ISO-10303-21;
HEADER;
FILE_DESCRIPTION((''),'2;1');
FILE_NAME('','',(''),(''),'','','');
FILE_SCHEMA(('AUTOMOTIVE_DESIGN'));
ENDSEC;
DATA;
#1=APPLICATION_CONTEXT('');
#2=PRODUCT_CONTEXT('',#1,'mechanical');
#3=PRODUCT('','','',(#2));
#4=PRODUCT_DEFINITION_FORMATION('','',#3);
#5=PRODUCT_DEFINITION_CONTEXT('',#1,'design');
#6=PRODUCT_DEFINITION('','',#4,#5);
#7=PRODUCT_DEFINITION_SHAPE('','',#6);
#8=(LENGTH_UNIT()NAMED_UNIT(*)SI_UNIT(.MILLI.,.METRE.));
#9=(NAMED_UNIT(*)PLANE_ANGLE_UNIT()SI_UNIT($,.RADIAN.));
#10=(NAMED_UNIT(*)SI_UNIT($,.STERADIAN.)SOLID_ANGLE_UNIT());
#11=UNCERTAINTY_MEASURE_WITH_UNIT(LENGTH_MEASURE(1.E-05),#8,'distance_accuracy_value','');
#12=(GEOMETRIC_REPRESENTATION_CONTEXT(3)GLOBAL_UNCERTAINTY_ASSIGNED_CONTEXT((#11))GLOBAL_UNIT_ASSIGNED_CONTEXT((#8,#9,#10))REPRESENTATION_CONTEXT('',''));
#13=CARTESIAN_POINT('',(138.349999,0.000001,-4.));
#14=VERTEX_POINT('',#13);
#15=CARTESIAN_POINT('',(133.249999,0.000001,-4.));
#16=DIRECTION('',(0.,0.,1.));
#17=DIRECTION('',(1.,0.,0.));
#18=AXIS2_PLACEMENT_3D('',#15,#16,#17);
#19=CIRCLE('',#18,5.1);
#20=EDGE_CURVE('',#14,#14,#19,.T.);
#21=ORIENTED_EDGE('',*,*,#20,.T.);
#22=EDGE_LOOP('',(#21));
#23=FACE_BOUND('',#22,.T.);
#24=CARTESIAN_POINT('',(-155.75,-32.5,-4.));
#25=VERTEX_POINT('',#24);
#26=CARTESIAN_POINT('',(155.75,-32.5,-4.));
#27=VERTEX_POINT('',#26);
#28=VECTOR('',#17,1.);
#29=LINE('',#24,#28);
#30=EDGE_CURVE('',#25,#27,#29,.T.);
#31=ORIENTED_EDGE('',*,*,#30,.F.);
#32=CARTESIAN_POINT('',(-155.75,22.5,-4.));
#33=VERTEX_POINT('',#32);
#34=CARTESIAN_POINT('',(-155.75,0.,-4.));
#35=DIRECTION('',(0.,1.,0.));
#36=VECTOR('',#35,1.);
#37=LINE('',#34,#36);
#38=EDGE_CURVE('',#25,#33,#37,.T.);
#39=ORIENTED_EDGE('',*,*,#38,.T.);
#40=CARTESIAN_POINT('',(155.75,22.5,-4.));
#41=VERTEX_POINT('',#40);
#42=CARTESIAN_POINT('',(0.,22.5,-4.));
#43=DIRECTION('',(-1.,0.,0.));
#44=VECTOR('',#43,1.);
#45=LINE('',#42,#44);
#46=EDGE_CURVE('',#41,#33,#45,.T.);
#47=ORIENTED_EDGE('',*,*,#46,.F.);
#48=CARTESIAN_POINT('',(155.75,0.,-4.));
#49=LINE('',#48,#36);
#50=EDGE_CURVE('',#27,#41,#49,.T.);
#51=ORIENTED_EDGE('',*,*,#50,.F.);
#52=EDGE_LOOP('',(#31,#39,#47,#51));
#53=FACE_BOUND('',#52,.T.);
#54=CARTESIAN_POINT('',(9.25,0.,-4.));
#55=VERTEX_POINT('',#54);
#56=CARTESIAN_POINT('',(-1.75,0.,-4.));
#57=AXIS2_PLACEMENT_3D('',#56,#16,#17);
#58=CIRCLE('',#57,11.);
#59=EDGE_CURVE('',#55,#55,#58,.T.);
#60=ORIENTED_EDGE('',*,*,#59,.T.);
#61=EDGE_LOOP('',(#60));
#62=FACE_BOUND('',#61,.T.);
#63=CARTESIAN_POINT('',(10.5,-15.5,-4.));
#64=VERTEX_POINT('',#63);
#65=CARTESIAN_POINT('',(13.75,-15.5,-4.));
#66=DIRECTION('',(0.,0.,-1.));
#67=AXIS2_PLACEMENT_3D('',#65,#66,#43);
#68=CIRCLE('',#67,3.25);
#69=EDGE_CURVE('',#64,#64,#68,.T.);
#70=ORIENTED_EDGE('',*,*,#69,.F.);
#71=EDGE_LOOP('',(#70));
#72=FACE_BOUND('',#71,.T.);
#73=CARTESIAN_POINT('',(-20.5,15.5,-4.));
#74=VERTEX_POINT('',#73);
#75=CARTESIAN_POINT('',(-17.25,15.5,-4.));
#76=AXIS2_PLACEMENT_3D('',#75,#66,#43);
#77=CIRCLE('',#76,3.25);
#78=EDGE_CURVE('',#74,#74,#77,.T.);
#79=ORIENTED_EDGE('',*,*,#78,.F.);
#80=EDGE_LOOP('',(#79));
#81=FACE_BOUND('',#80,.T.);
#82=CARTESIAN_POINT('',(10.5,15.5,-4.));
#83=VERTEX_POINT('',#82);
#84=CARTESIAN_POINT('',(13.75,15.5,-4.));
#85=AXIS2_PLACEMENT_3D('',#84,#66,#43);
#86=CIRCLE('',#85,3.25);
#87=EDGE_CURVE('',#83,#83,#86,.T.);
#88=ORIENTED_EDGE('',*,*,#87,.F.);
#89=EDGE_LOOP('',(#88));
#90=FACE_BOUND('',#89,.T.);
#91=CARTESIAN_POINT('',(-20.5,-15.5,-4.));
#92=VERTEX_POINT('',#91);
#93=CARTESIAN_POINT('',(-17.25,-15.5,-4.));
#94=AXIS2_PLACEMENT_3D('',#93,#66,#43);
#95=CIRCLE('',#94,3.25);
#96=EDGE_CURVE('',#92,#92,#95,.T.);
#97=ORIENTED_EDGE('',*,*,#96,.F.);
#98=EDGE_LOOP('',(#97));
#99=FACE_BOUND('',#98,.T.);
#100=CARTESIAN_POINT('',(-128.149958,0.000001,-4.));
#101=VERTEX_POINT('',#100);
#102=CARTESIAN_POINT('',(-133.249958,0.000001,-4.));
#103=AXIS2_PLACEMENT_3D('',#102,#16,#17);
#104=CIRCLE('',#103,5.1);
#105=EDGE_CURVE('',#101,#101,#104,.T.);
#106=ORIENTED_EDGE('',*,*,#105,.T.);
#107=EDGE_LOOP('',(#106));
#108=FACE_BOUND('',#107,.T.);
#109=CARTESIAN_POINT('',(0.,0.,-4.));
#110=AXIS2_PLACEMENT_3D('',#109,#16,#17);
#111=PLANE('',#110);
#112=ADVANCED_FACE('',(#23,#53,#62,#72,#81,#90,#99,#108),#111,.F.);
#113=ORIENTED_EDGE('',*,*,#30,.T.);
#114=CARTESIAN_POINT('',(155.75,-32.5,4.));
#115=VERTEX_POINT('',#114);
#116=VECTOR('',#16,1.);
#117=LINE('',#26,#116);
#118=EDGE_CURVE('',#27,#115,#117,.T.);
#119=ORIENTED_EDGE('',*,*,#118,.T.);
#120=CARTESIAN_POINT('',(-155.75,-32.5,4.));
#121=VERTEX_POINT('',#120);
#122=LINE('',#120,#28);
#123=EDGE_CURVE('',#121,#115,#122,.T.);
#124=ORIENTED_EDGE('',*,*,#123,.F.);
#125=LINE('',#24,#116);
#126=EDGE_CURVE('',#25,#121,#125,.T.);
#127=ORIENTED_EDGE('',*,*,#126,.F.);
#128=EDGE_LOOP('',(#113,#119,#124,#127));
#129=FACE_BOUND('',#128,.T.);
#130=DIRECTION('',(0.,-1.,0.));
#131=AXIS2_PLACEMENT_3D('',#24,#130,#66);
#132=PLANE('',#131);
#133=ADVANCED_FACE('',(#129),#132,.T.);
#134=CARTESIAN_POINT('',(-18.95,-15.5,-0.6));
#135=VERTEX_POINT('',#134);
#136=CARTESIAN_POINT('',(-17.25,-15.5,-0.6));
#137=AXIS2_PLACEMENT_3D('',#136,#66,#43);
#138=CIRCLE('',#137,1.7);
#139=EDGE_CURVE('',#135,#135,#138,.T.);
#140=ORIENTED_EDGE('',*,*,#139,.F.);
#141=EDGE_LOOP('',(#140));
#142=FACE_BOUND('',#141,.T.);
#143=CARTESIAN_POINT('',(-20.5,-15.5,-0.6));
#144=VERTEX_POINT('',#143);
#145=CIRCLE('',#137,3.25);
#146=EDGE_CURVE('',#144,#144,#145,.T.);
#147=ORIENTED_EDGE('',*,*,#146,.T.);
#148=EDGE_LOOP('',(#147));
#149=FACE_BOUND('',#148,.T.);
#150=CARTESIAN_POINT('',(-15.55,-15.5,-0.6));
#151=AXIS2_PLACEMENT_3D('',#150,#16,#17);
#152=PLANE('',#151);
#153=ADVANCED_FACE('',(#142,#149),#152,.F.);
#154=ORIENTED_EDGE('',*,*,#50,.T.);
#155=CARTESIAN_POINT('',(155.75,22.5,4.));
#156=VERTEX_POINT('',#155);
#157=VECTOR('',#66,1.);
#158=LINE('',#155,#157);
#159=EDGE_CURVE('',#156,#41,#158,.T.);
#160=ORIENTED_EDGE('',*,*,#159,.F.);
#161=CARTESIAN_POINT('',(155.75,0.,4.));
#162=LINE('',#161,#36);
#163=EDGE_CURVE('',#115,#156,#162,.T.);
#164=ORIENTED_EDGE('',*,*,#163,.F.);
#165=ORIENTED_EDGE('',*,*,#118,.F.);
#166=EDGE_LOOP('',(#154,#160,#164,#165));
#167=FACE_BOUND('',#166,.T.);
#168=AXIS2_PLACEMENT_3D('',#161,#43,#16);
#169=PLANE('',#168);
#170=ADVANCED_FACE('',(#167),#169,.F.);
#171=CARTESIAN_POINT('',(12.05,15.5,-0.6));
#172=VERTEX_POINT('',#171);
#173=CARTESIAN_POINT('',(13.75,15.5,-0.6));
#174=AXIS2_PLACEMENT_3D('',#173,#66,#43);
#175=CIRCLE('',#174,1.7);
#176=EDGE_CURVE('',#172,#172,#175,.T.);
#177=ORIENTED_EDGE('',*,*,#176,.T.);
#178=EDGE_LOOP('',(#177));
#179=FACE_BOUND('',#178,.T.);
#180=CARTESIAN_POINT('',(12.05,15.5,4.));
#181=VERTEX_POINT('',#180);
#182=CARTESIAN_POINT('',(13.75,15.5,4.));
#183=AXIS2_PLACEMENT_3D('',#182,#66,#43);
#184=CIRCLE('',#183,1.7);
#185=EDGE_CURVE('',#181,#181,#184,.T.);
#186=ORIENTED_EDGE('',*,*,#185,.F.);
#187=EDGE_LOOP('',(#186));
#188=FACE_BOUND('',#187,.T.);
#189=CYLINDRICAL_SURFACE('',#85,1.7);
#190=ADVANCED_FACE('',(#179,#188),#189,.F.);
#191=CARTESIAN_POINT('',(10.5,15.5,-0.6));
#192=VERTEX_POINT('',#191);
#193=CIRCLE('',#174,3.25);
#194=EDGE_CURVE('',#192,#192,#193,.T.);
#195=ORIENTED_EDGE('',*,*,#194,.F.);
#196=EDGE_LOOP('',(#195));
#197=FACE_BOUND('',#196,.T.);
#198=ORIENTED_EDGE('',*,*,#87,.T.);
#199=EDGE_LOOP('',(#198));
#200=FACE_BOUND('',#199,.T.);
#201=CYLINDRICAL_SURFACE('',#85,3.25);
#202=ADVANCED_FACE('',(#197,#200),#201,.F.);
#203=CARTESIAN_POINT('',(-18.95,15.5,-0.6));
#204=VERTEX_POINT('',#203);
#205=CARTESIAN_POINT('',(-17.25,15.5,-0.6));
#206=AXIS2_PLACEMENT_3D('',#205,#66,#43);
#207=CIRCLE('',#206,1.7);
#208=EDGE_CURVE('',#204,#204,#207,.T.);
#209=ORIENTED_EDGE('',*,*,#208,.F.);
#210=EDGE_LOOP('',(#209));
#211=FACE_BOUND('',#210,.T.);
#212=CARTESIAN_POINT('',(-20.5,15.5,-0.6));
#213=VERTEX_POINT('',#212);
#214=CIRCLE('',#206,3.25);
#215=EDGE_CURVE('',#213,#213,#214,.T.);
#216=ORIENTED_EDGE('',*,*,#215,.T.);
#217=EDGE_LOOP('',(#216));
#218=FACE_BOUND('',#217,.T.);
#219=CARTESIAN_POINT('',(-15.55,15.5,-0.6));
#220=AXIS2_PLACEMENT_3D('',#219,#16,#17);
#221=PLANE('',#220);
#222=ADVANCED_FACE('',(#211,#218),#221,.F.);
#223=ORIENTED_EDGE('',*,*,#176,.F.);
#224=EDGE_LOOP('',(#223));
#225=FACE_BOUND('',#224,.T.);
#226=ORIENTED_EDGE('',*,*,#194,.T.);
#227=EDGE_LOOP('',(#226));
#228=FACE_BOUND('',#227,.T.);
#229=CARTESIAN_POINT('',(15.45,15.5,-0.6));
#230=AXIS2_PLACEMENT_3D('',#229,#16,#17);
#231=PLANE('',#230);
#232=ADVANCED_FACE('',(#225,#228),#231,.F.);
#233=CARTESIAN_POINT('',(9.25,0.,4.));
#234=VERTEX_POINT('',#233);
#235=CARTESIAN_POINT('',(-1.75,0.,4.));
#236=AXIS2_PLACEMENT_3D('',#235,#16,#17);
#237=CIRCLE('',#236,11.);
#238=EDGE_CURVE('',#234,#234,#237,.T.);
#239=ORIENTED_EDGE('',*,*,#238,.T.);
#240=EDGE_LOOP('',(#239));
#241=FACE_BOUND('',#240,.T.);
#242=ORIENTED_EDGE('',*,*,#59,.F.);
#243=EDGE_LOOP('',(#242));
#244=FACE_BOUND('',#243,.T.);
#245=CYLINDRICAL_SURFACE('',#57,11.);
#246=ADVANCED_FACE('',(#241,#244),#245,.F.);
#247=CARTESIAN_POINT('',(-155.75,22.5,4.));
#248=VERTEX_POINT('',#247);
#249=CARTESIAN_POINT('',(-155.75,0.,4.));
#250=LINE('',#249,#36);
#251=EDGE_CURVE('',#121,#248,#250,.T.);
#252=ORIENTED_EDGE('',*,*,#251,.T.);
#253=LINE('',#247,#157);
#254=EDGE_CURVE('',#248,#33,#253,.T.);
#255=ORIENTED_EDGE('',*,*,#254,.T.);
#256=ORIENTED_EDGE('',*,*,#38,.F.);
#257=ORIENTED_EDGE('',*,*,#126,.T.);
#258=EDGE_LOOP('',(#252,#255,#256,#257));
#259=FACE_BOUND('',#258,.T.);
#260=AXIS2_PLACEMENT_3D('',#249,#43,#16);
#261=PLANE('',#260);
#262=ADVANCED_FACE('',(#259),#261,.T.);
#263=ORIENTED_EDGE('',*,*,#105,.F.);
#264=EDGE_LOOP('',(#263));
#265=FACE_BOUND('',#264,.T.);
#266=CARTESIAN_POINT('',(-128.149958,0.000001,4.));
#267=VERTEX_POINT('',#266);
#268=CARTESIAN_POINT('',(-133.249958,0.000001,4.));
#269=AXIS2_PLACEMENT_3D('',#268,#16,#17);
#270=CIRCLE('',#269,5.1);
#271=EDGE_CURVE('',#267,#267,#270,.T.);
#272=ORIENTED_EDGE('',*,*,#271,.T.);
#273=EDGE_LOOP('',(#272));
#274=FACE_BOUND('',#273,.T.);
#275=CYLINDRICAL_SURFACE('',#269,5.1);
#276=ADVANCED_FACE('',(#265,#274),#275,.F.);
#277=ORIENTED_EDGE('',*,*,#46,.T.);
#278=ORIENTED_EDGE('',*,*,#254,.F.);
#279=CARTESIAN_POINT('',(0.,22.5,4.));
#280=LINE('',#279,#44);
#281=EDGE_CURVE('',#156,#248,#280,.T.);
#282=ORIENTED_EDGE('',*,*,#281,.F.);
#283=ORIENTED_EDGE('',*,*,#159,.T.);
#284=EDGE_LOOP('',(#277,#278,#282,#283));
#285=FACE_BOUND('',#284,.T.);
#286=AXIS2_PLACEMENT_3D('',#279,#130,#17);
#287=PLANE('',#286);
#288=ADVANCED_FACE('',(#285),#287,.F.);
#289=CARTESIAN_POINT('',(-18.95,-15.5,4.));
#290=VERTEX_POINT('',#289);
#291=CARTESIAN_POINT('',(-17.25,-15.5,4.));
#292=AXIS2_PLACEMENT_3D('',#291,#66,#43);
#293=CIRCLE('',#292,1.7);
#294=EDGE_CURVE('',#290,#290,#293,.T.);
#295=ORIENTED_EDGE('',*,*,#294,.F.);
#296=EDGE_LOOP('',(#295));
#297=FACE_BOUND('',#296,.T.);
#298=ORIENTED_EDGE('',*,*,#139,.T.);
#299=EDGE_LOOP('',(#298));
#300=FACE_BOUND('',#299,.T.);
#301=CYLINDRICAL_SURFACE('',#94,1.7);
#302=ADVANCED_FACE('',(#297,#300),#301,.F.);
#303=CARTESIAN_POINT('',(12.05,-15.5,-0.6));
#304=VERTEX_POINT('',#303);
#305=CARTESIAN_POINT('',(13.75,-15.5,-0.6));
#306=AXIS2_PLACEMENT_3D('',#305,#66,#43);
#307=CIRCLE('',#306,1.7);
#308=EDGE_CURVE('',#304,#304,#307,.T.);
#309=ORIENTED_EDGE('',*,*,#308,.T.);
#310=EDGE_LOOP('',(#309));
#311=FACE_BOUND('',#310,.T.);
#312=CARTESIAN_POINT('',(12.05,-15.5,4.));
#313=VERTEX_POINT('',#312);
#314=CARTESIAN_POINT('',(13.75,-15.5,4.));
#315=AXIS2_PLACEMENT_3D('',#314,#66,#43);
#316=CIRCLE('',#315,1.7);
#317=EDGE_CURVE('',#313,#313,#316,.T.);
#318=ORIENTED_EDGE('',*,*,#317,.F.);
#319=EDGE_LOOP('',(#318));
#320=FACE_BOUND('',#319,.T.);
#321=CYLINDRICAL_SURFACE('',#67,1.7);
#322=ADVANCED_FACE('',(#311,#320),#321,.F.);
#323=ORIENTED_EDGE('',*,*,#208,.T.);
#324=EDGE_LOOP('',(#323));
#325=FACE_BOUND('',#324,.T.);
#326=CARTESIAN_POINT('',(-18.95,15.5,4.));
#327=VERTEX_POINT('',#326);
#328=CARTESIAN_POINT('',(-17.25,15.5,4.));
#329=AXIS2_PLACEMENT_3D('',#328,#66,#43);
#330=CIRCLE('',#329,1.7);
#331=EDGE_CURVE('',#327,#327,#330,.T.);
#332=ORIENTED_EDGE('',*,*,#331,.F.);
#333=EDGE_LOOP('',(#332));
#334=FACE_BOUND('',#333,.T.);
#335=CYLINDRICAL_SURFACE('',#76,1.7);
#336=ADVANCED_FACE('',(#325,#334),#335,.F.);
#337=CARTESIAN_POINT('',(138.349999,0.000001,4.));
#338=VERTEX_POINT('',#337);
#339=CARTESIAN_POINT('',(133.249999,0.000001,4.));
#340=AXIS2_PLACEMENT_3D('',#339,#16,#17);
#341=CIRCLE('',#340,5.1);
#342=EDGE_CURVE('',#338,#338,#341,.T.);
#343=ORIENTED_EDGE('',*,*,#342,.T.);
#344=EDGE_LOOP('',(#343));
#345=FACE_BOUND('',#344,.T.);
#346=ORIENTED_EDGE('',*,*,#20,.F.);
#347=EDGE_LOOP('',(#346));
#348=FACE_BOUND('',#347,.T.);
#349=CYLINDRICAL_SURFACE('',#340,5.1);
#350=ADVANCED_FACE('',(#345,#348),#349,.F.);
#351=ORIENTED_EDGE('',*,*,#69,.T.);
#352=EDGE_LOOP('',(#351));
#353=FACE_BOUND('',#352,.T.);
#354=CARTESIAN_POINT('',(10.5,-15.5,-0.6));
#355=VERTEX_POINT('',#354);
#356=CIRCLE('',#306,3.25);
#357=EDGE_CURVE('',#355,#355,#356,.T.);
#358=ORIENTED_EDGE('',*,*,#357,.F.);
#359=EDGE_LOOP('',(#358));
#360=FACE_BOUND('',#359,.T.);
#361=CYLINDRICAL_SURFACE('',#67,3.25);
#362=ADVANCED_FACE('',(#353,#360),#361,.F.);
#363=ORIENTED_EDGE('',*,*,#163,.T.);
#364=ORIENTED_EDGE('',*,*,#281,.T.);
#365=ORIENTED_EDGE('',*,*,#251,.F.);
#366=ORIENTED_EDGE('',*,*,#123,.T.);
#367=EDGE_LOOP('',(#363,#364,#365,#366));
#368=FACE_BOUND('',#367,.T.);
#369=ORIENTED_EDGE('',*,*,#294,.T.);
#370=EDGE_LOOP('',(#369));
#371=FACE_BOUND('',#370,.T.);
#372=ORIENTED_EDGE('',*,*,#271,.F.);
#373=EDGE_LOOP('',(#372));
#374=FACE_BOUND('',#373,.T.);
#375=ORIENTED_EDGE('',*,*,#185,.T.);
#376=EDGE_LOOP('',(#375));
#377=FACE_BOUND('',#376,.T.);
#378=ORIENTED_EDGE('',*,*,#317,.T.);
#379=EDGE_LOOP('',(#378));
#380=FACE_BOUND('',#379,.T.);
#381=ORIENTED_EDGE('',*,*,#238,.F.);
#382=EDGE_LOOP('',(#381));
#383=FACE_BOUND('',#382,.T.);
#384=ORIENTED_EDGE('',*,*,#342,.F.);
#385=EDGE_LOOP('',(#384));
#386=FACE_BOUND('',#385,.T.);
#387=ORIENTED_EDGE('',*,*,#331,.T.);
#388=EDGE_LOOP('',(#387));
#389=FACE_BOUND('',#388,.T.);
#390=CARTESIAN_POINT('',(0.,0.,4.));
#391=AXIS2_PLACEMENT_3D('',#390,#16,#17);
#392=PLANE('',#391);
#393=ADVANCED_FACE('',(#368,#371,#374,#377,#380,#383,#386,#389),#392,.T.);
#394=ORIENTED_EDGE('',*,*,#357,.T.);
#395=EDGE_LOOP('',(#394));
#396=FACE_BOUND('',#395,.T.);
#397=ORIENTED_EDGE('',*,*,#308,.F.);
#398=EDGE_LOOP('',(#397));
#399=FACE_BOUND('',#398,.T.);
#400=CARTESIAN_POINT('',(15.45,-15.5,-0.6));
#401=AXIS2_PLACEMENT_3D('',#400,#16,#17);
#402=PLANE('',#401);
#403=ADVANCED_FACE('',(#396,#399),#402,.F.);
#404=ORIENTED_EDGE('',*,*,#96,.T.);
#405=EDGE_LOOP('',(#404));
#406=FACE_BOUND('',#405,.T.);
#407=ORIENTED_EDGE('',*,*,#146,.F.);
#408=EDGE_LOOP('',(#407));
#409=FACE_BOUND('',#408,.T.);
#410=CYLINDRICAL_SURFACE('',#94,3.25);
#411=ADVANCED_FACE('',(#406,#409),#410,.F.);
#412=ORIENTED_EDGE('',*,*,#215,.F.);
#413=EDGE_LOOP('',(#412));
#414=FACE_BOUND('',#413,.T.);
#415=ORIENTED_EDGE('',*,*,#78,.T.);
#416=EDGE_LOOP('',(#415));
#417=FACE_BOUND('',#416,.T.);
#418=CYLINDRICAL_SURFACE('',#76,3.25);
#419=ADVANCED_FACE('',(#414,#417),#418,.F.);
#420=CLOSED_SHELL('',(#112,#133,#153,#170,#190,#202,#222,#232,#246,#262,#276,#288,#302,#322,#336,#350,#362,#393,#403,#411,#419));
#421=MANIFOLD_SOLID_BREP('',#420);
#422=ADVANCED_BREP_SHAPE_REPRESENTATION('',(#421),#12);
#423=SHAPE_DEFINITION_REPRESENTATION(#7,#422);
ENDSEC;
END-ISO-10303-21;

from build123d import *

# Parameters (mm, degrees)
SKETCH1_W                                           = 311.5
SKETCH1_H                                           = 45
BOSS_EXTRUDE1_DEPTH                                 = 4
SKETCH5_R                                           = 11
SKETCH5_R_2                                         = 1.25
CUT_EXTRUDE1_DEPTH                                  = 158.570024116
CBORE_FOR_M3_HEX_SOCKET_HEAD_CAP_SCREW1_D           = 3.4
CBORE_FOR_M3_HEX_SOCKET_HEAD_CAP_SCREW1_CBORE_D     = 6.5
CBORE_FOR_M3_HEX_SOCKET_HEAD_CAP_SCREW1_CBORE_DEPTH = 3.4
F_10_2_10_2_DIAMETER_HOLE1_D                        = 10.2
SKETCH14_W                                          = 311.5
SKETCH14_H                                          = 10
BOSS_EXTRUDE2_DEPTH                                 = 8


with BuildPart() as part:
    # Sketch1 → Boss-Extrude1 (new, symmetric)
    with BuildSketch(Plane.XY):
        Rectangle(SKETCH1_W, SKETCH1_H)
    extrude(amount=BOSS_EXTRUDE1_DEPTH, both=True)

    # Sketch5 → Cut-Extrude1 (cut, through all)
    with BuildSketch(Plane.XY.offset(4)):
        with Locations((-1.75, 0)):
            Circle(SKETCH5_R)
        with Locations((-17.25, 15.5)):
            Circle(SKETCH5_R_2)
        with Locations((13.75, 15.5)):
            Circle(SKETCH5_R_2)
        with Locations((13.75, -15.5)):
            Circle(SKETCH5_R_2)
        with Locations((-17.25, -15.5)):
            Circle(SKETCH5_R_2)
    extrude(amount=-CUT_EXTRUDE1_DEPTH, mode=Mode.SUBTRACT)

    # CBORE for M3 Hex Socket Head Cap Screw1 (through all)
    with Locations(Plane(origin=(0, 0, -4), x_dir=(-1, 0, 0), z_dir=(0, 0, -1))):
        with Locations((-13.75, 15.5), (17.25, 15.5), (17.25, -15.5), (-13.75, -15.5)):
            CounterBoreHole(CBORE_FOR_M3_HEX_SOCKET_HEAD_CAP_SCREW1_D / 2, CBORE_FOR_M3_HEX_SOCKET_HEAD_CAP_SCREW1_CBORE_D / 2, CBORE_FOR_M3_HEX_SOCKET_HEAD_CAP_SCREW1_CBORE_DEPTH)

    # Ø10.2 (10.2) Diameter Hole1 (through all)
    with Locations(Plane.XY.offset(4)):
        with Locations((-133.249958454, 1.369e-06), (133.249998631, 1.369e-06)):
            Hole(F_10_2_10_2_DIAMETER_HOLE1_D / 2)

    # Sketch14 → Boss-Extrude2 (add)
    with BuildSketch(Plane.XY.offset(4)):
        with Locations((0, -27.5)):
            Rectangle(SKETCH14_W, SKETCH14_H)
    extrude(amount=-BOSS_EXTRUDE2_DEPTH)


solid = part.part
